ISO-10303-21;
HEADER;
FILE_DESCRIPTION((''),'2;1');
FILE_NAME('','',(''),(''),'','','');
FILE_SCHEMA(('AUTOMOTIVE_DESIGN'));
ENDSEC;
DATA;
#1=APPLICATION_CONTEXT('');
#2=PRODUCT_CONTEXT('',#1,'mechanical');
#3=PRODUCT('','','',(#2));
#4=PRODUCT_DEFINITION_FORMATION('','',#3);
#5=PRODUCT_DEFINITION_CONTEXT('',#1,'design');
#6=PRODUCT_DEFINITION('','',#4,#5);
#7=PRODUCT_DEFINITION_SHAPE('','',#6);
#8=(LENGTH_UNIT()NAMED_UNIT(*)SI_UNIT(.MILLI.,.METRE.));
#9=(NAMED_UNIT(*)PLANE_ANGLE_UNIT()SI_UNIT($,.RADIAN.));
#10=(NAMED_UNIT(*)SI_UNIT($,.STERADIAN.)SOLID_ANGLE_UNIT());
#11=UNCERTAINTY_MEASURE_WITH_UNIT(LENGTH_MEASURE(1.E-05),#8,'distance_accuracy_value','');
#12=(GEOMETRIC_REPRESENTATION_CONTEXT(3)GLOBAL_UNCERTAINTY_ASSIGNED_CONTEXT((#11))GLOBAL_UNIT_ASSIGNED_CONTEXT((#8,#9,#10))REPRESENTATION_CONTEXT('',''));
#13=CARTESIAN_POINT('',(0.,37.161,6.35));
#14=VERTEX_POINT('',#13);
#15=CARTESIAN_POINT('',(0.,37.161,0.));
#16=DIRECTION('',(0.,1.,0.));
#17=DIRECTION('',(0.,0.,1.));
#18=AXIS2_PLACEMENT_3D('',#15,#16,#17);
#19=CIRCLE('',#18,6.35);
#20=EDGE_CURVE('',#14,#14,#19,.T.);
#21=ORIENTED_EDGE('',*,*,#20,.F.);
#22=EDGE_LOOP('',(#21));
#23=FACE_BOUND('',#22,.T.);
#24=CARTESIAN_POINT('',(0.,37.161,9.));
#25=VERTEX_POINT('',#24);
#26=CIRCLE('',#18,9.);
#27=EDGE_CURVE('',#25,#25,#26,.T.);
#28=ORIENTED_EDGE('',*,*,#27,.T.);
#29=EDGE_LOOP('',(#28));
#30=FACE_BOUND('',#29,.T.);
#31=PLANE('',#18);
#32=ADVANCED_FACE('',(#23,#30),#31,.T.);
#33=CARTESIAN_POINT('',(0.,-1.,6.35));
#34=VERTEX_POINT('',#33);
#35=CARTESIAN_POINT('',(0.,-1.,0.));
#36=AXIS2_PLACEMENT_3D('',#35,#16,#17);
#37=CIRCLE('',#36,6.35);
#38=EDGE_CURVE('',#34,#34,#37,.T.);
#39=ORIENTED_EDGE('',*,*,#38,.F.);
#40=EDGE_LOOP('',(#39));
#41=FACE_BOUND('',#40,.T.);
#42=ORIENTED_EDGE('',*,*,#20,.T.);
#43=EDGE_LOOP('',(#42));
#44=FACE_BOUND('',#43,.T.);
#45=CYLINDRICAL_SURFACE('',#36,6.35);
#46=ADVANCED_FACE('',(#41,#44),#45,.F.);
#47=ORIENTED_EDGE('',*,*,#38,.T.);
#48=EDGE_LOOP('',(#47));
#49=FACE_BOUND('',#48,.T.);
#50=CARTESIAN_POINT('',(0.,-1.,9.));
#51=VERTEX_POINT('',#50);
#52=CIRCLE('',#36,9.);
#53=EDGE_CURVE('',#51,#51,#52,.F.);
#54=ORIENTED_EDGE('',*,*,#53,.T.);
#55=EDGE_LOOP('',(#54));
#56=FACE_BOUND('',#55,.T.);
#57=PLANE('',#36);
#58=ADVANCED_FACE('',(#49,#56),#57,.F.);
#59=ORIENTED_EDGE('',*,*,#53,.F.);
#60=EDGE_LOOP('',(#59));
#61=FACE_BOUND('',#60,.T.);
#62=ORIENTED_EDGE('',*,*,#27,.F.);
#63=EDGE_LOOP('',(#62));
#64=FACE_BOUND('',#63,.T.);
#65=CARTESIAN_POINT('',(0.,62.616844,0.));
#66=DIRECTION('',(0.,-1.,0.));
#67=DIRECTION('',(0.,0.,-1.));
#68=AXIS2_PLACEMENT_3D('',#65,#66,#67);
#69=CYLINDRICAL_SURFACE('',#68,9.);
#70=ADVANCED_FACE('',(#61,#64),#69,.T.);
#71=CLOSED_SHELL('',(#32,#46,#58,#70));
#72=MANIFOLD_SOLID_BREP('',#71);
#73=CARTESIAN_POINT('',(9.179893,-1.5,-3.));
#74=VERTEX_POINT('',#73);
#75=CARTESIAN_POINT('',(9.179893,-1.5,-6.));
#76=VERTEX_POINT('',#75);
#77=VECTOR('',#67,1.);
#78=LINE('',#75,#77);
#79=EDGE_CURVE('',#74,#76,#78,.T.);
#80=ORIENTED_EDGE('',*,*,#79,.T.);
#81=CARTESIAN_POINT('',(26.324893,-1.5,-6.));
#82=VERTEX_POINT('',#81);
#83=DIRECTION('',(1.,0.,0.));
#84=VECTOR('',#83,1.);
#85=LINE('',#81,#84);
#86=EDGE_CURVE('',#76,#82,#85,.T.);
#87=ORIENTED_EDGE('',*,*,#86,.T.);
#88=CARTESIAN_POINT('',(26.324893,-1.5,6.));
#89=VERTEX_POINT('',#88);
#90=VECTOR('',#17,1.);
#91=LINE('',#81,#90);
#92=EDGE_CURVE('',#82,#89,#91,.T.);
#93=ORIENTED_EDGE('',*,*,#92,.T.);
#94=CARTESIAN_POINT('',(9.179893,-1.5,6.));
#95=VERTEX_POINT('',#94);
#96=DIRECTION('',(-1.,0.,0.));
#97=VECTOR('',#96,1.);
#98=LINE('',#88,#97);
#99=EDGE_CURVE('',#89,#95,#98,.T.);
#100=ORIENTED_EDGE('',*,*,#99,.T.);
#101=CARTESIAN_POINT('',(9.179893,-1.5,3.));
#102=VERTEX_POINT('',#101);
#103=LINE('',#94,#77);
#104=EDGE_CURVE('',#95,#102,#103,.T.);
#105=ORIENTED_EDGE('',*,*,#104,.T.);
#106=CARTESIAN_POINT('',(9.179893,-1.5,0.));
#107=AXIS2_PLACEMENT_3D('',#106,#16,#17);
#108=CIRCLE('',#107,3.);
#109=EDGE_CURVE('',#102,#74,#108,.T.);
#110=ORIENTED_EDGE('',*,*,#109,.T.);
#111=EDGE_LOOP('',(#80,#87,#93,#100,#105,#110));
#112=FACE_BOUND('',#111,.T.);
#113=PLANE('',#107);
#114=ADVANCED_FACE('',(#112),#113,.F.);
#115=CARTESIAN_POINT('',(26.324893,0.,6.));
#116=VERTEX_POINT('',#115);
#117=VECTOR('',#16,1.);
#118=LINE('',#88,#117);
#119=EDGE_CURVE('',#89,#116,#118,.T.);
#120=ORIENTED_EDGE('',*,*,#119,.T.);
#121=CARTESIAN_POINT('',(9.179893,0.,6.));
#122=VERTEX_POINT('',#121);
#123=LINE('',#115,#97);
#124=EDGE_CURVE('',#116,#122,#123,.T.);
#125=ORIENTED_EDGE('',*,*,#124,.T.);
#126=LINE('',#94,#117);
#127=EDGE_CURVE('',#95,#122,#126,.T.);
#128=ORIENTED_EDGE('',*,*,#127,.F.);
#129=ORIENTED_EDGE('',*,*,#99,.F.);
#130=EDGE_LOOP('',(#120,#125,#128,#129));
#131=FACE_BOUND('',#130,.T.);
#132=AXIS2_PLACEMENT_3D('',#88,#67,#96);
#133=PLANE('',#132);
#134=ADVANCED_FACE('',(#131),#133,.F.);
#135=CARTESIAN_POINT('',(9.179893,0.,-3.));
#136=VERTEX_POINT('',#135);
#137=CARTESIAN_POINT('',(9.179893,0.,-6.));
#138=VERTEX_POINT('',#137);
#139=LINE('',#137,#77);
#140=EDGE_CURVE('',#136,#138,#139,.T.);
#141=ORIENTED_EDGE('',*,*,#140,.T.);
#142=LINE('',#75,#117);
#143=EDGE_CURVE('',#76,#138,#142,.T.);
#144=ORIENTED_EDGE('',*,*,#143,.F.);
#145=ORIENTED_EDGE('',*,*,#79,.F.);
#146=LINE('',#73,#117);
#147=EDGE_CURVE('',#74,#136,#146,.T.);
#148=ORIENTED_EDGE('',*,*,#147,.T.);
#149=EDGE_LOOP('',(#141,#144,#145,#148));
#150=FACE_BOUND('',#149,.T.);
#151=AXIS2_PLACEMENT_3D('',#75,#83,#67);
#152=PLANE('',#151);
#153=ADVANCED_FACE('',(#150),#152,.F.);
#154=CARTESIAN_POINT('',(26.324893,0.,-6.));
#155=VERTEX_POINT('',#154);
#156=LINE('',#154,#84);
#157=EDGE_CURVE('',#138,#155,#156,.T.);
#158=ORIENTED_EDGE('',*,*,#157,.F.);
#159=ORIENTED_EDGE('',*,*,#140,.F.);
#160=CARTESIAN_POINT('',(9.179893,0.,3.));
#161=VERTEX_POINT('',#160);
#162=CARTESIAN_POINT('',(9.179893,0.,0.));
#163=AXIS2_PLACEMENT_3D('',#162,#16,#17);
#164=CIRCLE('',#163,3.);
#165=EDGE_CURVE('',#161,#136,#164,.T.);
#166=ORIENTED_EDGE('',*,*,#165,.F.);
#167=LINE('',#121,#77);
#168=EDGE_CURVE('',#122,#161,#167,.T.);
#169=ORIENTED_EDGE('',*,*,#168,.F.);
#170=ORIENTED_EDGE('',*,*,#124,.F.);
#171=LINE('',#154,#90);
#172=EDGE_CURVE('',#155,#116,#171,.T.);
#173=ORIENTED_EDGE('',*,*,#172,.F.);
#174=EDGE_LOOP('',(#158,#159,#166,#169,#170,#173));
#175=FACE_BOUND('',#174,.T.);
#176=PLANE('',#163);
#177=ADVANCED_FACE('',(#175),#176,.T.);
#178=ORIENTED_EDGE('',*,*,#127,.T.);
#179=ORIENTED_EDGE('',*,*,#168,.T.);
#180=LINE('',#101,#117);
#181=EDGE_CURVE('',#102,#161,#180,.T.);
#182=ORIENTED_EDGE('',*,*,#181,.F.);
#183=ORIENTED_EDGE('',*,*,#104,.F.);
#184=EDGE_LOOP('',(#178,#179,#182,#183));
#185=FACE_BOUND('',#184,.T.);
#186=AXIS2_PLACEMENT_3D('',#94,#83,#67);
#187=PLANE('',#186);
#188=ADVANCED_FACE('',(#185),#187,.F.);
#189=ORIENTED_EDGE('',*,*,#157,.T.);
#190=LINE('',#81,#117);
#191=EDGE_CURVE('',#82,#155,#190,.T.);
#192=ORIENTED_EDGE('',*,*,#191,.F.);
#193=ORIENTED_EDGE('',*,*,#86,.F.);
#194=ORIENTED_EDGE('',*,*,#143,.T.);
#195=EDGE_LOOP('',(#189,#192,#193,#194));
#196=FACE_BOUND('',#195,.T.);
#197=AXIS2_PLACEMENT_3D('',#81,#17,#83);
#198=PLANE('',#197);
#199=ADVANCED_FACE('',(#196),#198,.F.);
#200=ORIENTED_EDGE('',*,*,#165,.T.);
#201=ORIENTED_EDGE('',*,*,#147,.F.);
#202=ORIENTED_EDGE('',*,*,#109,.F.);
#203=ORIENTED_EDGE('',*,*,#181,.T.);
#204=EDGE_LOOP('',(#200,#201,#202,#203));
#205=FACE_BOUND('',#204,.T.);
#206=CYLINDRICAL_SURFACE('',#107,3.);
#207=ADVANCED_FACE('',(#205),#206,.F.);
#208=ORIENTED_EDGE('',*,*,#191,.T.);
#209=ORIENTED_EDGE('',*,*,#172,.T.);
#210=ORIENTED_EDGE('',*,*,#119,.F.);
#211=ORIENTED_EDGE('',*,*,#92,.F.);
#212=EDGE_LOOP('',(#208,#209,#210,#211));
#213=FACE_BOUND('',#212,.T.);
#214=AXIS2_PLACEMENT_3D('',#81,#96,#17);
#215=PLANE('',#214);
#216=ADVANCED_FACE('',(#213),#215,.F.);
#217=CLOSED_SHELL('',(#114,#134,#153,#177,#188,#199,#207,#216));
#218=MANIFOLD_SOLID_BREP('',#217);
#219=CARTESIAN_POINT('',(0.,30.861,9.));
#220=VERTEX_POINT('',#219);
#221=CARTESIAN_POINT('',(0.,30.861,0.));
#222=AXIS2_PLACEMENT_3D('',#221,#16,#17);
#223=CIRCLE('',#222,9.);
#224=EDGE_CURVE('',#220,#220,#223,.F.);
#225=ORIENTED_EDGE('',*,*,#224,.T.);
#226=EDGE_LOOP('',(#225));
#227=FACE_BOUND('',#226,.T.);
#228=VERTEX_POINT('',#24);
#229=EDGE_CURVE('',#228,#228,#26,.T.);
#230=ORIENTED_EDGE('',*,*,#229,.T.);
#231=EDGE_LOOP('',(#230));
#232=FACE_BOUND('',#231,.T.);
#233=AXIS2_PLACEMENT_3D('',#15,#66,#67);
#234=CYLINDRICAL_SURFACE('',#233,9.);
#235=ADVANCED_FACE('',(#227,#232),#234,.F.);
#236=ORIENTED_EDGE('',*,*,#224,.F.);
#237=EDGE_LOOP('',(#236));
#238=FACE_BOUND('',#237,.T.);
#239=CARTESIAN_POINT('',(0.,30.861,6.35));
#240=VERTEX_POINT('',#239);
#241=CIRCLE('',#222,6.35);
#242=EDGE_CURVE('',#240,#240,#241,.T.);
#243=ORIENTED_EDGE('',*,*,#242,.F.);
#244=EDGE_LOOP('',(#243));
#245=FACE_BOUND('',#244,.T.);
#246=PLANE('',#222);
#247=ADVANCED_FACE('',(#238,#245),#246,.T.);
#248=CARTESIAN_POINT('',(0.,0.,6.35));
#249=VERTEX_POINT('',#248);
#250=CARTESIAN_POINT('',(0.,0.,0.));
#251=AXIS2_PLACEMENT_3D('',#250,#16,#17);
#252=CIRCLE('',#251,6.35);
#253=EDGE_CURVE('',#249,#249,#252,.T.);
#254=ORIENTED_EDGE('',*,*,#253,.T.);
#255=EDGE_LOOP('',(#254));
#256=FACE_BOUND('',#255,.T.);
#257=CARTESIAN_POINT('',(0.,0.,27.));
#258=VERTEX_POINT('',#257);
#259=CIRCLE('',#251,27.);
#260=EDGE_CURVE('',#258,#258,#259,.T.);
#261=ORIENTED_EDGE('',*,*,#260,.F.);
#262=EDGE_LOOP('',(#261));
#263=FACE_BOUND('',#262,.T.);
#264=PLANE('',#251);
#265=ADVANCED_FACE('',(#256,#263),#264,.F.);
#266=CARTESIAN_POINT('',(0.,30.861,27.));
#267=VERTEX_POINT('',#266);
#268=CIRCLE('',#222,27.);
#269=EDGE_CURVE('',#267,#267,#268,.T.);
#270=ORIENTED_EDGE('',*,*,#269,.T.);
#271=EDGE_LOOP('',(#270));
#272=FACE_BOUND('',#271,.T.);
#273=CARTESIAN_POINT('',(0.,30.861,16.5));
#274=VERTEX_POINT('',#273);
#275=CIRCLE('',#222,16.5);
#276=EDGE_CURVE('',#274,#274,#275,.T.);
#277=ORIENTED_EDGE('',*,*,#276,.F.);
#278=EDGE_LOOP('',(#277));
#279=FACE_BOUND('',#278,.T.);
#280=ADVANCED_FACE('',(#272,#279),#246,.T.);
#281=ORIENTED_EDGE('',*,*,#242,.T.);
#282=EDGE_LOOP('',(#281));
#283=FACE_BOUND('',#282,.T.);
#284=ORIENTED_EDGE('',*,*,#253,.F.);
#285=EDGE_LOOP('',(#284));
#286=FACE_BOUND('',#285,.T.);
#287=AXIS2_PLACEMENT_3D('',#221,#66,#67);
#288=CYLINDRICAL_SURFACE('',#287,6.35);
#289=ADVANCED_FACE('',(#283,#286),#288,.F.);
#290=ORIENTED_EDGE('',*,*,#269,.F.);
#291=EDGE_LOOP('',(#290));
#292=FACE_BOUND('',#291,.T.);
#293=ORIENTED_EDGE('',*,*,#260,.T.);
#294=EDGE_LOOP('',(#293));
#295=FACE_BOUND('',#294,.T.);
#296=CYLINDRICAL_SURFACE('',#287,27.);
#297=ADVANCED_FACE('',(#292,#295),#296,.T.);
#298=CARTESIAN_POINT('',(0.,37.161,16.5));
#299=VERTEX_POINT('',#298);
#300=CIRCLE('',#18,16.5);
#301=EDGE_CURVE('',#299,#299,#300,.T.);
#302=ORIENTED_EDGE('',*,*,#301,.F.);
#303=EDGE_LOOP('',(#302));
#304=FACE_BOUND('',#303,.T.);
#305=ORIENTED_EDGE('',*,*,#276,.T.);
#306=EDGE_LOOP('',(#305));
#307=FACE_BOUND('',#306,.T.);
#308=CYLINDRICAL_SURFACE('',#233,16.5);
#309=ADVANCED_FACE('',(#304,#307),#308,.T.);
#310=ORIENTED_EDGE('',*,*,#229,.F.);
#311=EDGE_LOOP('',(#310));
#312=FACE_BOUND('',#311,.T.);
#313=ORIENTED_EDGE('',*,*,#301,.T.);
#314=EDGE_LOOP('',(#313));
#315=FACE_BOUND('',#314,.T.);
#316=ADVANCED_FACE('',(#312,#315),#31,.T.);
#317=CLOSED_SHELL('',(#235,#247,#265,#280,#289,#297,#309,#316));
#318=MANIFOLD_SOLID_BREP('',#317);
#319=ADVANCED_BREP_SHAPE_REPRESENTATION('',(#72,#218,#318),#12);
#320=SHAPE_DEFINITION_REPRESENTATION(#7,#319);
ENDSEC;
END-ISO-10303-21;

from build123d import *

# Parameters (mm, degrees)
SKETCH2_R                = 27
SKETCH2_R_2              = 6.35
BOSS_EXTRUDE1_DEPTH      = 30.861
SKETCH3_R                = 16.5
SKETCH3_R_2              = 9
BOSS_EXTRUDE2_DEPTH      = 6.3
SKETCH4_R                = 9
BOSS_EXTRUDE3_DEPTH      = 6.3
BOSS_EXTRUDE3_DEPTH_BACK = 31.861
SKETCH5_R                = 6.35
CUT_EXTRUDE1_DEPTH       = 39.161
BOSS_EXTRUDE4_DEPTH      = 1.5


with BuildPart() as part:
    # Sketch2 → Boss-Extrude1 (new body)
    with BuildSketch(Plane(origin=(0, 0, 0), x_dir=(1, 0, 0), z_dir=(0, 1, 0))):
        Circle(SKETCH2_R)
        Circle(SKETCH2_R_2, mode=Mode.SUBTRACT)
    extrude(amount=BOSS_EXTRUDE1_DEPTH)

    # Sketch3 → Boss-Extrude2 (add)
    with BuildSketch(Plane(origin=(0, 30.861, 0), x_dir=(1, 0, 0), z_dir=(0, 1, 0))):
        Circle(SKETCH3_R)
        Circle(SKETCH3_R_2, mode=Mode.SUBTRACT)
    extrude(amount=BOSS_EXTRUDE2_DEPTH)


with BuildPart() as body_2:
    # Sketch4 → Boss-Extrude3 (new body, two sides)
    with BuildSketch(Plane(origin=(0, 30.861, 0), x_dir=(1, 0, 0), z_dir=(0, 1, 0))) as boss_extrude3_sk:
        Circle(SKETCH4_R)
    extrude(amount=BOSS_EXTRUDE3_DEPTH)
    extrude(boss_extrude3_sk.sketch, amount=-BOSS_EXTRUDE3_DEPTH_BACK)

    # Sketch5 → Cut-Extrude1 (cut, through all)
    with BuildSketch(Plane(origin=(0, 37.161, 0), x_dir=(1, 0, 0), z_dir=(0, 1, 0))):
        Circle(SKETCH5_R)
    extrude(amount=-CUT_EXTRUDE1_DEPTH, mode=Mode.SUBTRACT)


with BuildPart() as body_3:
    # Sketch6 → Boss-Extrude4 (new body)
    with BuildSketch(Plane.XZ):
        with BuildLine():
            Line((26.324893162, -6), (26.324893162, 6))
            Line((26.324893162, 6), (9.179893162, 6))
            Line((9.179893162, 6), (9.179893162, 3))
            ThreePointArc((9.179893162, 3), (12.179893162, 0), (9.179893162, -3))
            Line((9.179893162, -3), (9.179893162, -6))
            Line((9.179893162, -6), (26.324893162, -6))
        make_face()
    extrude(amount=BOSS_EXTRUDE4_DEPTH)


solid = Compound([part.part, body_2.part, body_3.part])
